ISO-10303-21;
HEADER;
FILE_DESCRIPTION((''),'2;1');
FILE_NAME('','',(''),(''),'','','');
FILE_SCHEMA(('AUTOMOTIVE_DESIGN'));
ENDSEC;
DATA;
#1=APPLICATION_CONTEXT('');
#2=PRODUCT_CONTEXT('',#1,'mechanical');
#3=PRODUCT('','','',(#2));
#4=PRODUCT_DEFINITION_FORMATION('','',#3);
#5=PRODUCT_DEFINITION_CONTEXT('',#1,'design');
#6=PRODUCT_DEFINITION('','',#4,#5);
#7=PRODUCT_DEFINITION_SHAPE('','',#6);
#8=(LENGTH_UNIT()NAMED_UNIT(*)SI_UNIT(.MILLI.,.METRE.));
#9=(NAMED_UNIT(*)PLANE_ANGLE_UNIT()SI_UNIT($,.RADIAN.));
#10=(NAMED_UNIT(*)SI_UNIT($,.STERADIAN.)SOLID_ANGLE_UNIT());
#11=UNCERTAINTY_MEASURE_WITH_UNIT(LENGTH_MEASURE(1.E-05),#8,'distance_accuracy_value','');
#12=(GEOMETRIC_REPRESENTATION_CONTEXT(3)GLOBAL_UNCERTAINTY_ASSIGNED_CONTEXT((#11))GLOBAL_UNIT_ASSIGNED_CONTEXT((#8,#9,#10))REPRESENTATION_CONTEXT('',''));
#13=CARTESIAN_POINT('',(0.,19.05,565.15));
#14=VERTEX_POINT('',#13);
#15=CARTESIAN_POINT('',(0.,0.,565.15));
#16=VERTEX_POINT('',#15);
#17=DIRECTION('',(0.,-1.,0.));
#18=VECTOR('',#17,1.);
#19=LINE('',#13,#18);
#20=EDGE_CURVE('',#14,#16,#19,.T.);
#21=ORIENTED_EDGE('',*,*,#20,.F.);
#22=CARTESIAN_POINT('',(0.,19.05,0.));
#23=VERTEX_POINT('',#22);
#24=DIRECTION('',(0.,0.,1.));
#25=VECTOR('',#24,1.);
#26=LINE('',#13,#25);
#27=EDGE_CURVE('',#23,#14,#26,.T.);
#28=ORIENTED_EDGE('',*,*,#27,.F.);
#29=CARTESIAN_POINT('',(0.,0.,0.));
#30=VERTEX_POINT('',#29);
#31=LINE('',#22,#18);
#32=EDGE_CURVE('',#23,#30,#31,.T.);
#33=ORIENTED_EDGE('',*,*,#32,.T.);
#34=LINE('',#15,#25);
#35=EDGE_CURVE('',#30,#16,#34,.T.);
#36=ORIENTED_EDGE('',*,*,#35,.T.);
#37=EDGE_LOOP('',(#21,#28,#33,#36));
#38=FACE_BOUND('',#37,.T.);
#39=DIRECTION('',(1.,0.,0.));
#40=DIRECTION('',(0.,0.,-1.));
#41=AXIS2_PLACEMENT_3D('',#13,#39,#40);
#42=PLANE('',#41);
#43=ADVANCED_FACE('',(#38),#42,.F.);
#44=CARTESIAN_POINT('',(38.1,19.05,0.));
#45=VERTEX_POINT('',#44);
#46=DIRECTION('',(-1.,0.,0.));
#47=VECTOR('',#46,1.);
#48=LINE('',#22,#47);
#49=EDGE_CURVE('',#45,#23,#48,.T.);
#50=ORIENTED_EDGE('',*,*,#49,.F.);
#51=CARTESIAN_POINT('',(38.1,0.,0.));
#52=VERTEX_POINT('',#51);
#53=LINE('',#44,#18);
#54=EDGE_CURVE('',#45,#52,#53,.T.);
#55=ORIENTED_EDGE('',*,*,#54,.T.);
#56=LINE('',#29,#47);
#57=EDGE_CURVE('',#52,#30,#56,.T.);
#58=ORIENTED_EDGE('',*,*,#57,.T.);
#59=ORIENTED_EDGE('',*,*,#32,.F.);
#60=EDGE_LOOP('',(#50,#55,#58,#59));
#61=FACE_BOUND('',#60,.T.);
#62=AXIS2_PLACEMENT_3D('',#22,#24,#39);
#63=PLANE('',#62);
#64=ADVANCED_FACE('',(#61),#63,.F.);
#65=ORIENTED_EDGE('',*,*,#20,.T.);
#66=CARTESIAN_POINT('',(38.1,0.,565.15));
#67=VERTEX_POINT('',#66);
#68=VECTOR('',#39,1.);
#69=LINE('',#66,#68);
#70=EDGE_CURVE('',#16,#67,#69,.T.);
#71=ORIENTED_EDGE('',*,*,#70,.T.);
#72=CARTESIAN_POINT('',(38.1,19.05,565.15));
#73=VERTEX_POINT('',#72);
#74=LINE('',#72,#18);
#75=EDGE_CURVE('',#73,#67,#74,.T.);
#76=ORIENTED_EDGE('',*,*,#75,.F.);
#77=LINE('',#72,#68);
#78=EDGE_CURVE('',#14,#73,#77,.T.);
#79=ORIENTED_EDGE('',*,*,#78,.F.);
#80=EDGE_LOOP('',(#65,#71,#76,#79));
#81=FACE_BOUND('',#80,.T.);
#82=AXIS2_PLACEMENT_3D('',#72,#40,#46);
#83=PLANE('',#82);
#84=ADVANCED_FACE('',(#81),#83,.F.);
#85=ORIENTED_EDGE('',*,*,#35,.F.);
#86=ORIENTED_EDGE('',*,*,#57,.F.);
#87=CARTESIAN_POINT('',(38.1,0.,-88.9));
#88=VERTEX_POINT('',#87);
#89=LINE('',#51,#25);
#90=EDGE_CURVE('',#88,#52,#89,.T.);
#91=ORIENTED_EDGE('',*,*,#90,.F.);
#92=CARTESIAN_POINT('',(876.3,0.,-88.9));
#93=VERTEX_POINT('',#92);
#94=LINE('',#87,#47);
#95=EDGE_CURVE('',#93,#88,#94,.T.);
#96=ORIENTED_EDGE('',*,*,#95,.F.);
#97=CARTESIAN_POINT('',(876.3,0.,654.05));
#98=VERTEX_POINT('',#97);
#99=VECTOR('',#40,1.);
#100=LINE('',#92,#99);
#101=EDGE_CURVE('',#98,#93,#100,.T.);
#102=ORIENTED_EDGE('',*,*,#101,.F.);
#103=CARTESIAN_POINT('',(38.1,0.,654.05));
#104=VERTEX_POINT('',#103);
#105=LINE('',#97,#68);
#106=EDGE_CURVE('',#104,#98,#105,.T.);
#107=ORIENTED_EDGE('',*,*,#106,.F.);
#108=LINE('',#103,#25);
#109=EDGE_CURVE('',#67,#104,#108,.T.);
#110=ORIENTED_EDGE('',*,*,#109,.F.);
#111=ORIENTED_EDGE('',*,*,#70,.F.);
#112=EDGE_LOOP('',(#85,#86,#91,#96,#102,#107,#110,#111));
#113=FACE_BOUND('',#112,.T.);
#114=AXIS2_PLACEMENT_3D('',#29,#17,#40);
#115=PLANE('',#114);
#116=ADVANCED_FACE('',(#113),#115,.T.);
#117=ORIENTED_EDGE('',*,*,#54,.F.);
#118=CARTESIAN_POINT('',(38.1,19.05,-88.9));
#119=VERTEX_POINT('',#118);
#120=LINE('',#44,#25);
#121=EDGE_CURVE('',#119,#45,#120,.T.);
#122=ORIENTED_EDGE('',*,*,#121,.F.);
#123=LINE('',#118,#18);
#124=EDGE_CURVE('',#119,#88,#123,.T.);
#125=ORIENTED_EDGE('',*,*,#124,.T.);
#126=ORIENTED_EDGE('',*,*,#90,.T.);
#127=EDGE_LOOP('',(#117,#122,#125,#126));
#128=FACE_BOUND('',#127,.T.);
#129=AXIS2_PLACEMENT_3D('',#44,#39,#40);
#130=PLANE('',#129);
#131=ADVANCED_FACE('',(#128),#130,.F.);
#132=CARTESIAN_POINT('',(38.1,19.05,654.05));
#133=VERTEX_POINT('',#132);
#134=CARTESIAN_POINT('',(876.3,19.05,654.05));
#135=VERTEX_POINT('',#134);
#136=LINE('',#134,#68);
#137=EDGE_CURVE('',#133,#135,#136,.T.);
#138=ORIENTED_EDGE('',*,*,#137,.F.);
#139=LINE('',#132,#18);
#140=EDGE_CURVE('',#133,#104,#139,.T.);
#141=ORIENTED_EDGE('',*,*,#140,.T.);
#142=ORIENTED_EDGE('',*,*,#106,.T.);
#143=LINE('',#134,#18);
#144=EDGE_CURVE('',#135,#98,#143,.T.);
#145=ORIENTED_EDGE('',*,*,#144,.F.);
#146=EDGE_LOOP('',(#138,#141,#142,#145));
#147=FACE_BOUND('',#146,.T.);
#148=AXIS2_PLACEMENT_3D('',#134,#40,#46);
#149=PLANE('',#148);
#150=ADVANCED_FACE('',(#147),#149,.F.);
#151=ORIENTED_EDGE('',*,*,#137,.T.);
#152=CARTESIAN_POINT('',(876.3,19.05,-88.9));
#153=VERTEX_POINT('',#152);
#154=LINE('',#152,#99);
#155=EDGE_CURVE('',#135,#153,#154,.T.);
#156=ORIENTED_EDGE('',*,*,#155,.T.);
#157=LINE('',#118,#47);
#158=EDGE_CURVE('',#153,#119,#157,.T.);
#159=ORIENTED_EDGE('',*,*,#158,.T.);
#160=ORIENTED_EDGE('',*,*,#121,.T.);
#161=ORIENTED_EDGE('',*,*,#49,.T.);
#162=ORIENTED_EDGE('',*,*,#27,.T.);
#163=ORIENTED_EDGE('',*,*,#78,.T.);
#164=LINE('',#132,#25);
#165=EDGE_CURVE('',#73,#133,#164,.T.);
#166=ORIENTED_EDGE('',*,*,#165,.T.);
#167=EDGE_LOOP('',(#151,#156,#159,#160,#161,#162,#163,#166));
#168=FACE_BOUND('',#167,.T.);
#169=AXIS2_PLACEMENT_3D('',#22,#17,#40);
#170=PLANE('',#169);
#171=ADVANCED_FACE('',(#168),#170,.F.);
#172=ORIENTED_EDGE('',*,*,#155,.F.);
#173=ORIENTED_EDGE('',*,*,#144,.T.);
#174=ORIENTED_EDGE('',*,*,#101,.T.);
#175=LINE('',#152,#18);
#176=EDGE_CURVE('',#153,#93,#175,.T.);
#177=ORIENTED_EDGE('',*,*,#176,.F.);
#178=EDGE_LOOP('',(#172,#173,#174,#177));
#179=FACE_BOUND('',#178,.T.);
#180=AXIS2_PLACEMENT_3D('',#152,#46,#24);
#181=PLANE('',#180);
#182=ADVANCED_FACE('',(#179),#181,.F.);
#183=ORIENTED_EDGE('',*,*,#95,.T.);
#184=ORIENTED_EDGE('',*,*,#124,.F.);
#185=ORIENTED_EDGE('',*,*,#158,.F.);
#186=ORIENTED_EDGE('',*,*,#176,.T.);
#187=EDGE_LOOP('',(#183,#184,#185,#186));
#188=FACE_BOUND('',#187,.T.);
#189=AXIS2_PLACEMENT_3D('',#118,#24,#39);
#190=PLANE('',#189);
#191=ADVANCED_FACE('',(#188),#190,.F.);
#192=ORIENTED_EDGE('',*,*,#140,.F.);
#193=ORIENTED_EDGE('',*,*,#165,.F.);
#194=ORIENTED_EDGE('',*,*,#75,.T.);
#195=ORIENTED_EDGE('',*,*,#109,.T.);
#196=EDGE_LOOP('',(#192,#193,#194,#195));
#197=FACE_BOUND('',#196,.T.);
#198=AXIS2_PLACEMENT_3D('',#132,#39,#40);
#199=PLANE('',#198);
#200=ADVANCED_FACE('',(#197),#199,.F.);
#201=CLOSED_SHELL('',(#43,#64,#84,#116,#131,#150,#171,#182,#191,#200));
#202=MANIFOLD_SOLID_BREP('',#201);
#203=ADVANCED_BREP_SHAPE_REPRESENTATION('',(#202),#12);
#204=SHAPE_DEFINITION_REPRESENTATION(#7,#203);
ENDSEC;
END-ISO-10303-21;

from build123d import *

# Parameters (mm, degrees)
BOSS_EXTRUDE1_DEPTH = 19.05


with BuildPart() as part:
    # Sketch1 → Boss-Extrude1 (new body)
    with BuildSketch(Plane(origin=(0, 0, 0), x_dir=(1, 0, 0), z_dir=(0, 1, 0))):
        Polygon((0, 0), (38.1, 0), (38.1, 88.9), (876.3, 88.9), (876.3, -654.05), (38.1, -654.05), (38.1, -565.15), (0, -565.15), align=None)
    extrude(amount=BOSS_EXTRUDE1_DEPTH)


solid = part.part
